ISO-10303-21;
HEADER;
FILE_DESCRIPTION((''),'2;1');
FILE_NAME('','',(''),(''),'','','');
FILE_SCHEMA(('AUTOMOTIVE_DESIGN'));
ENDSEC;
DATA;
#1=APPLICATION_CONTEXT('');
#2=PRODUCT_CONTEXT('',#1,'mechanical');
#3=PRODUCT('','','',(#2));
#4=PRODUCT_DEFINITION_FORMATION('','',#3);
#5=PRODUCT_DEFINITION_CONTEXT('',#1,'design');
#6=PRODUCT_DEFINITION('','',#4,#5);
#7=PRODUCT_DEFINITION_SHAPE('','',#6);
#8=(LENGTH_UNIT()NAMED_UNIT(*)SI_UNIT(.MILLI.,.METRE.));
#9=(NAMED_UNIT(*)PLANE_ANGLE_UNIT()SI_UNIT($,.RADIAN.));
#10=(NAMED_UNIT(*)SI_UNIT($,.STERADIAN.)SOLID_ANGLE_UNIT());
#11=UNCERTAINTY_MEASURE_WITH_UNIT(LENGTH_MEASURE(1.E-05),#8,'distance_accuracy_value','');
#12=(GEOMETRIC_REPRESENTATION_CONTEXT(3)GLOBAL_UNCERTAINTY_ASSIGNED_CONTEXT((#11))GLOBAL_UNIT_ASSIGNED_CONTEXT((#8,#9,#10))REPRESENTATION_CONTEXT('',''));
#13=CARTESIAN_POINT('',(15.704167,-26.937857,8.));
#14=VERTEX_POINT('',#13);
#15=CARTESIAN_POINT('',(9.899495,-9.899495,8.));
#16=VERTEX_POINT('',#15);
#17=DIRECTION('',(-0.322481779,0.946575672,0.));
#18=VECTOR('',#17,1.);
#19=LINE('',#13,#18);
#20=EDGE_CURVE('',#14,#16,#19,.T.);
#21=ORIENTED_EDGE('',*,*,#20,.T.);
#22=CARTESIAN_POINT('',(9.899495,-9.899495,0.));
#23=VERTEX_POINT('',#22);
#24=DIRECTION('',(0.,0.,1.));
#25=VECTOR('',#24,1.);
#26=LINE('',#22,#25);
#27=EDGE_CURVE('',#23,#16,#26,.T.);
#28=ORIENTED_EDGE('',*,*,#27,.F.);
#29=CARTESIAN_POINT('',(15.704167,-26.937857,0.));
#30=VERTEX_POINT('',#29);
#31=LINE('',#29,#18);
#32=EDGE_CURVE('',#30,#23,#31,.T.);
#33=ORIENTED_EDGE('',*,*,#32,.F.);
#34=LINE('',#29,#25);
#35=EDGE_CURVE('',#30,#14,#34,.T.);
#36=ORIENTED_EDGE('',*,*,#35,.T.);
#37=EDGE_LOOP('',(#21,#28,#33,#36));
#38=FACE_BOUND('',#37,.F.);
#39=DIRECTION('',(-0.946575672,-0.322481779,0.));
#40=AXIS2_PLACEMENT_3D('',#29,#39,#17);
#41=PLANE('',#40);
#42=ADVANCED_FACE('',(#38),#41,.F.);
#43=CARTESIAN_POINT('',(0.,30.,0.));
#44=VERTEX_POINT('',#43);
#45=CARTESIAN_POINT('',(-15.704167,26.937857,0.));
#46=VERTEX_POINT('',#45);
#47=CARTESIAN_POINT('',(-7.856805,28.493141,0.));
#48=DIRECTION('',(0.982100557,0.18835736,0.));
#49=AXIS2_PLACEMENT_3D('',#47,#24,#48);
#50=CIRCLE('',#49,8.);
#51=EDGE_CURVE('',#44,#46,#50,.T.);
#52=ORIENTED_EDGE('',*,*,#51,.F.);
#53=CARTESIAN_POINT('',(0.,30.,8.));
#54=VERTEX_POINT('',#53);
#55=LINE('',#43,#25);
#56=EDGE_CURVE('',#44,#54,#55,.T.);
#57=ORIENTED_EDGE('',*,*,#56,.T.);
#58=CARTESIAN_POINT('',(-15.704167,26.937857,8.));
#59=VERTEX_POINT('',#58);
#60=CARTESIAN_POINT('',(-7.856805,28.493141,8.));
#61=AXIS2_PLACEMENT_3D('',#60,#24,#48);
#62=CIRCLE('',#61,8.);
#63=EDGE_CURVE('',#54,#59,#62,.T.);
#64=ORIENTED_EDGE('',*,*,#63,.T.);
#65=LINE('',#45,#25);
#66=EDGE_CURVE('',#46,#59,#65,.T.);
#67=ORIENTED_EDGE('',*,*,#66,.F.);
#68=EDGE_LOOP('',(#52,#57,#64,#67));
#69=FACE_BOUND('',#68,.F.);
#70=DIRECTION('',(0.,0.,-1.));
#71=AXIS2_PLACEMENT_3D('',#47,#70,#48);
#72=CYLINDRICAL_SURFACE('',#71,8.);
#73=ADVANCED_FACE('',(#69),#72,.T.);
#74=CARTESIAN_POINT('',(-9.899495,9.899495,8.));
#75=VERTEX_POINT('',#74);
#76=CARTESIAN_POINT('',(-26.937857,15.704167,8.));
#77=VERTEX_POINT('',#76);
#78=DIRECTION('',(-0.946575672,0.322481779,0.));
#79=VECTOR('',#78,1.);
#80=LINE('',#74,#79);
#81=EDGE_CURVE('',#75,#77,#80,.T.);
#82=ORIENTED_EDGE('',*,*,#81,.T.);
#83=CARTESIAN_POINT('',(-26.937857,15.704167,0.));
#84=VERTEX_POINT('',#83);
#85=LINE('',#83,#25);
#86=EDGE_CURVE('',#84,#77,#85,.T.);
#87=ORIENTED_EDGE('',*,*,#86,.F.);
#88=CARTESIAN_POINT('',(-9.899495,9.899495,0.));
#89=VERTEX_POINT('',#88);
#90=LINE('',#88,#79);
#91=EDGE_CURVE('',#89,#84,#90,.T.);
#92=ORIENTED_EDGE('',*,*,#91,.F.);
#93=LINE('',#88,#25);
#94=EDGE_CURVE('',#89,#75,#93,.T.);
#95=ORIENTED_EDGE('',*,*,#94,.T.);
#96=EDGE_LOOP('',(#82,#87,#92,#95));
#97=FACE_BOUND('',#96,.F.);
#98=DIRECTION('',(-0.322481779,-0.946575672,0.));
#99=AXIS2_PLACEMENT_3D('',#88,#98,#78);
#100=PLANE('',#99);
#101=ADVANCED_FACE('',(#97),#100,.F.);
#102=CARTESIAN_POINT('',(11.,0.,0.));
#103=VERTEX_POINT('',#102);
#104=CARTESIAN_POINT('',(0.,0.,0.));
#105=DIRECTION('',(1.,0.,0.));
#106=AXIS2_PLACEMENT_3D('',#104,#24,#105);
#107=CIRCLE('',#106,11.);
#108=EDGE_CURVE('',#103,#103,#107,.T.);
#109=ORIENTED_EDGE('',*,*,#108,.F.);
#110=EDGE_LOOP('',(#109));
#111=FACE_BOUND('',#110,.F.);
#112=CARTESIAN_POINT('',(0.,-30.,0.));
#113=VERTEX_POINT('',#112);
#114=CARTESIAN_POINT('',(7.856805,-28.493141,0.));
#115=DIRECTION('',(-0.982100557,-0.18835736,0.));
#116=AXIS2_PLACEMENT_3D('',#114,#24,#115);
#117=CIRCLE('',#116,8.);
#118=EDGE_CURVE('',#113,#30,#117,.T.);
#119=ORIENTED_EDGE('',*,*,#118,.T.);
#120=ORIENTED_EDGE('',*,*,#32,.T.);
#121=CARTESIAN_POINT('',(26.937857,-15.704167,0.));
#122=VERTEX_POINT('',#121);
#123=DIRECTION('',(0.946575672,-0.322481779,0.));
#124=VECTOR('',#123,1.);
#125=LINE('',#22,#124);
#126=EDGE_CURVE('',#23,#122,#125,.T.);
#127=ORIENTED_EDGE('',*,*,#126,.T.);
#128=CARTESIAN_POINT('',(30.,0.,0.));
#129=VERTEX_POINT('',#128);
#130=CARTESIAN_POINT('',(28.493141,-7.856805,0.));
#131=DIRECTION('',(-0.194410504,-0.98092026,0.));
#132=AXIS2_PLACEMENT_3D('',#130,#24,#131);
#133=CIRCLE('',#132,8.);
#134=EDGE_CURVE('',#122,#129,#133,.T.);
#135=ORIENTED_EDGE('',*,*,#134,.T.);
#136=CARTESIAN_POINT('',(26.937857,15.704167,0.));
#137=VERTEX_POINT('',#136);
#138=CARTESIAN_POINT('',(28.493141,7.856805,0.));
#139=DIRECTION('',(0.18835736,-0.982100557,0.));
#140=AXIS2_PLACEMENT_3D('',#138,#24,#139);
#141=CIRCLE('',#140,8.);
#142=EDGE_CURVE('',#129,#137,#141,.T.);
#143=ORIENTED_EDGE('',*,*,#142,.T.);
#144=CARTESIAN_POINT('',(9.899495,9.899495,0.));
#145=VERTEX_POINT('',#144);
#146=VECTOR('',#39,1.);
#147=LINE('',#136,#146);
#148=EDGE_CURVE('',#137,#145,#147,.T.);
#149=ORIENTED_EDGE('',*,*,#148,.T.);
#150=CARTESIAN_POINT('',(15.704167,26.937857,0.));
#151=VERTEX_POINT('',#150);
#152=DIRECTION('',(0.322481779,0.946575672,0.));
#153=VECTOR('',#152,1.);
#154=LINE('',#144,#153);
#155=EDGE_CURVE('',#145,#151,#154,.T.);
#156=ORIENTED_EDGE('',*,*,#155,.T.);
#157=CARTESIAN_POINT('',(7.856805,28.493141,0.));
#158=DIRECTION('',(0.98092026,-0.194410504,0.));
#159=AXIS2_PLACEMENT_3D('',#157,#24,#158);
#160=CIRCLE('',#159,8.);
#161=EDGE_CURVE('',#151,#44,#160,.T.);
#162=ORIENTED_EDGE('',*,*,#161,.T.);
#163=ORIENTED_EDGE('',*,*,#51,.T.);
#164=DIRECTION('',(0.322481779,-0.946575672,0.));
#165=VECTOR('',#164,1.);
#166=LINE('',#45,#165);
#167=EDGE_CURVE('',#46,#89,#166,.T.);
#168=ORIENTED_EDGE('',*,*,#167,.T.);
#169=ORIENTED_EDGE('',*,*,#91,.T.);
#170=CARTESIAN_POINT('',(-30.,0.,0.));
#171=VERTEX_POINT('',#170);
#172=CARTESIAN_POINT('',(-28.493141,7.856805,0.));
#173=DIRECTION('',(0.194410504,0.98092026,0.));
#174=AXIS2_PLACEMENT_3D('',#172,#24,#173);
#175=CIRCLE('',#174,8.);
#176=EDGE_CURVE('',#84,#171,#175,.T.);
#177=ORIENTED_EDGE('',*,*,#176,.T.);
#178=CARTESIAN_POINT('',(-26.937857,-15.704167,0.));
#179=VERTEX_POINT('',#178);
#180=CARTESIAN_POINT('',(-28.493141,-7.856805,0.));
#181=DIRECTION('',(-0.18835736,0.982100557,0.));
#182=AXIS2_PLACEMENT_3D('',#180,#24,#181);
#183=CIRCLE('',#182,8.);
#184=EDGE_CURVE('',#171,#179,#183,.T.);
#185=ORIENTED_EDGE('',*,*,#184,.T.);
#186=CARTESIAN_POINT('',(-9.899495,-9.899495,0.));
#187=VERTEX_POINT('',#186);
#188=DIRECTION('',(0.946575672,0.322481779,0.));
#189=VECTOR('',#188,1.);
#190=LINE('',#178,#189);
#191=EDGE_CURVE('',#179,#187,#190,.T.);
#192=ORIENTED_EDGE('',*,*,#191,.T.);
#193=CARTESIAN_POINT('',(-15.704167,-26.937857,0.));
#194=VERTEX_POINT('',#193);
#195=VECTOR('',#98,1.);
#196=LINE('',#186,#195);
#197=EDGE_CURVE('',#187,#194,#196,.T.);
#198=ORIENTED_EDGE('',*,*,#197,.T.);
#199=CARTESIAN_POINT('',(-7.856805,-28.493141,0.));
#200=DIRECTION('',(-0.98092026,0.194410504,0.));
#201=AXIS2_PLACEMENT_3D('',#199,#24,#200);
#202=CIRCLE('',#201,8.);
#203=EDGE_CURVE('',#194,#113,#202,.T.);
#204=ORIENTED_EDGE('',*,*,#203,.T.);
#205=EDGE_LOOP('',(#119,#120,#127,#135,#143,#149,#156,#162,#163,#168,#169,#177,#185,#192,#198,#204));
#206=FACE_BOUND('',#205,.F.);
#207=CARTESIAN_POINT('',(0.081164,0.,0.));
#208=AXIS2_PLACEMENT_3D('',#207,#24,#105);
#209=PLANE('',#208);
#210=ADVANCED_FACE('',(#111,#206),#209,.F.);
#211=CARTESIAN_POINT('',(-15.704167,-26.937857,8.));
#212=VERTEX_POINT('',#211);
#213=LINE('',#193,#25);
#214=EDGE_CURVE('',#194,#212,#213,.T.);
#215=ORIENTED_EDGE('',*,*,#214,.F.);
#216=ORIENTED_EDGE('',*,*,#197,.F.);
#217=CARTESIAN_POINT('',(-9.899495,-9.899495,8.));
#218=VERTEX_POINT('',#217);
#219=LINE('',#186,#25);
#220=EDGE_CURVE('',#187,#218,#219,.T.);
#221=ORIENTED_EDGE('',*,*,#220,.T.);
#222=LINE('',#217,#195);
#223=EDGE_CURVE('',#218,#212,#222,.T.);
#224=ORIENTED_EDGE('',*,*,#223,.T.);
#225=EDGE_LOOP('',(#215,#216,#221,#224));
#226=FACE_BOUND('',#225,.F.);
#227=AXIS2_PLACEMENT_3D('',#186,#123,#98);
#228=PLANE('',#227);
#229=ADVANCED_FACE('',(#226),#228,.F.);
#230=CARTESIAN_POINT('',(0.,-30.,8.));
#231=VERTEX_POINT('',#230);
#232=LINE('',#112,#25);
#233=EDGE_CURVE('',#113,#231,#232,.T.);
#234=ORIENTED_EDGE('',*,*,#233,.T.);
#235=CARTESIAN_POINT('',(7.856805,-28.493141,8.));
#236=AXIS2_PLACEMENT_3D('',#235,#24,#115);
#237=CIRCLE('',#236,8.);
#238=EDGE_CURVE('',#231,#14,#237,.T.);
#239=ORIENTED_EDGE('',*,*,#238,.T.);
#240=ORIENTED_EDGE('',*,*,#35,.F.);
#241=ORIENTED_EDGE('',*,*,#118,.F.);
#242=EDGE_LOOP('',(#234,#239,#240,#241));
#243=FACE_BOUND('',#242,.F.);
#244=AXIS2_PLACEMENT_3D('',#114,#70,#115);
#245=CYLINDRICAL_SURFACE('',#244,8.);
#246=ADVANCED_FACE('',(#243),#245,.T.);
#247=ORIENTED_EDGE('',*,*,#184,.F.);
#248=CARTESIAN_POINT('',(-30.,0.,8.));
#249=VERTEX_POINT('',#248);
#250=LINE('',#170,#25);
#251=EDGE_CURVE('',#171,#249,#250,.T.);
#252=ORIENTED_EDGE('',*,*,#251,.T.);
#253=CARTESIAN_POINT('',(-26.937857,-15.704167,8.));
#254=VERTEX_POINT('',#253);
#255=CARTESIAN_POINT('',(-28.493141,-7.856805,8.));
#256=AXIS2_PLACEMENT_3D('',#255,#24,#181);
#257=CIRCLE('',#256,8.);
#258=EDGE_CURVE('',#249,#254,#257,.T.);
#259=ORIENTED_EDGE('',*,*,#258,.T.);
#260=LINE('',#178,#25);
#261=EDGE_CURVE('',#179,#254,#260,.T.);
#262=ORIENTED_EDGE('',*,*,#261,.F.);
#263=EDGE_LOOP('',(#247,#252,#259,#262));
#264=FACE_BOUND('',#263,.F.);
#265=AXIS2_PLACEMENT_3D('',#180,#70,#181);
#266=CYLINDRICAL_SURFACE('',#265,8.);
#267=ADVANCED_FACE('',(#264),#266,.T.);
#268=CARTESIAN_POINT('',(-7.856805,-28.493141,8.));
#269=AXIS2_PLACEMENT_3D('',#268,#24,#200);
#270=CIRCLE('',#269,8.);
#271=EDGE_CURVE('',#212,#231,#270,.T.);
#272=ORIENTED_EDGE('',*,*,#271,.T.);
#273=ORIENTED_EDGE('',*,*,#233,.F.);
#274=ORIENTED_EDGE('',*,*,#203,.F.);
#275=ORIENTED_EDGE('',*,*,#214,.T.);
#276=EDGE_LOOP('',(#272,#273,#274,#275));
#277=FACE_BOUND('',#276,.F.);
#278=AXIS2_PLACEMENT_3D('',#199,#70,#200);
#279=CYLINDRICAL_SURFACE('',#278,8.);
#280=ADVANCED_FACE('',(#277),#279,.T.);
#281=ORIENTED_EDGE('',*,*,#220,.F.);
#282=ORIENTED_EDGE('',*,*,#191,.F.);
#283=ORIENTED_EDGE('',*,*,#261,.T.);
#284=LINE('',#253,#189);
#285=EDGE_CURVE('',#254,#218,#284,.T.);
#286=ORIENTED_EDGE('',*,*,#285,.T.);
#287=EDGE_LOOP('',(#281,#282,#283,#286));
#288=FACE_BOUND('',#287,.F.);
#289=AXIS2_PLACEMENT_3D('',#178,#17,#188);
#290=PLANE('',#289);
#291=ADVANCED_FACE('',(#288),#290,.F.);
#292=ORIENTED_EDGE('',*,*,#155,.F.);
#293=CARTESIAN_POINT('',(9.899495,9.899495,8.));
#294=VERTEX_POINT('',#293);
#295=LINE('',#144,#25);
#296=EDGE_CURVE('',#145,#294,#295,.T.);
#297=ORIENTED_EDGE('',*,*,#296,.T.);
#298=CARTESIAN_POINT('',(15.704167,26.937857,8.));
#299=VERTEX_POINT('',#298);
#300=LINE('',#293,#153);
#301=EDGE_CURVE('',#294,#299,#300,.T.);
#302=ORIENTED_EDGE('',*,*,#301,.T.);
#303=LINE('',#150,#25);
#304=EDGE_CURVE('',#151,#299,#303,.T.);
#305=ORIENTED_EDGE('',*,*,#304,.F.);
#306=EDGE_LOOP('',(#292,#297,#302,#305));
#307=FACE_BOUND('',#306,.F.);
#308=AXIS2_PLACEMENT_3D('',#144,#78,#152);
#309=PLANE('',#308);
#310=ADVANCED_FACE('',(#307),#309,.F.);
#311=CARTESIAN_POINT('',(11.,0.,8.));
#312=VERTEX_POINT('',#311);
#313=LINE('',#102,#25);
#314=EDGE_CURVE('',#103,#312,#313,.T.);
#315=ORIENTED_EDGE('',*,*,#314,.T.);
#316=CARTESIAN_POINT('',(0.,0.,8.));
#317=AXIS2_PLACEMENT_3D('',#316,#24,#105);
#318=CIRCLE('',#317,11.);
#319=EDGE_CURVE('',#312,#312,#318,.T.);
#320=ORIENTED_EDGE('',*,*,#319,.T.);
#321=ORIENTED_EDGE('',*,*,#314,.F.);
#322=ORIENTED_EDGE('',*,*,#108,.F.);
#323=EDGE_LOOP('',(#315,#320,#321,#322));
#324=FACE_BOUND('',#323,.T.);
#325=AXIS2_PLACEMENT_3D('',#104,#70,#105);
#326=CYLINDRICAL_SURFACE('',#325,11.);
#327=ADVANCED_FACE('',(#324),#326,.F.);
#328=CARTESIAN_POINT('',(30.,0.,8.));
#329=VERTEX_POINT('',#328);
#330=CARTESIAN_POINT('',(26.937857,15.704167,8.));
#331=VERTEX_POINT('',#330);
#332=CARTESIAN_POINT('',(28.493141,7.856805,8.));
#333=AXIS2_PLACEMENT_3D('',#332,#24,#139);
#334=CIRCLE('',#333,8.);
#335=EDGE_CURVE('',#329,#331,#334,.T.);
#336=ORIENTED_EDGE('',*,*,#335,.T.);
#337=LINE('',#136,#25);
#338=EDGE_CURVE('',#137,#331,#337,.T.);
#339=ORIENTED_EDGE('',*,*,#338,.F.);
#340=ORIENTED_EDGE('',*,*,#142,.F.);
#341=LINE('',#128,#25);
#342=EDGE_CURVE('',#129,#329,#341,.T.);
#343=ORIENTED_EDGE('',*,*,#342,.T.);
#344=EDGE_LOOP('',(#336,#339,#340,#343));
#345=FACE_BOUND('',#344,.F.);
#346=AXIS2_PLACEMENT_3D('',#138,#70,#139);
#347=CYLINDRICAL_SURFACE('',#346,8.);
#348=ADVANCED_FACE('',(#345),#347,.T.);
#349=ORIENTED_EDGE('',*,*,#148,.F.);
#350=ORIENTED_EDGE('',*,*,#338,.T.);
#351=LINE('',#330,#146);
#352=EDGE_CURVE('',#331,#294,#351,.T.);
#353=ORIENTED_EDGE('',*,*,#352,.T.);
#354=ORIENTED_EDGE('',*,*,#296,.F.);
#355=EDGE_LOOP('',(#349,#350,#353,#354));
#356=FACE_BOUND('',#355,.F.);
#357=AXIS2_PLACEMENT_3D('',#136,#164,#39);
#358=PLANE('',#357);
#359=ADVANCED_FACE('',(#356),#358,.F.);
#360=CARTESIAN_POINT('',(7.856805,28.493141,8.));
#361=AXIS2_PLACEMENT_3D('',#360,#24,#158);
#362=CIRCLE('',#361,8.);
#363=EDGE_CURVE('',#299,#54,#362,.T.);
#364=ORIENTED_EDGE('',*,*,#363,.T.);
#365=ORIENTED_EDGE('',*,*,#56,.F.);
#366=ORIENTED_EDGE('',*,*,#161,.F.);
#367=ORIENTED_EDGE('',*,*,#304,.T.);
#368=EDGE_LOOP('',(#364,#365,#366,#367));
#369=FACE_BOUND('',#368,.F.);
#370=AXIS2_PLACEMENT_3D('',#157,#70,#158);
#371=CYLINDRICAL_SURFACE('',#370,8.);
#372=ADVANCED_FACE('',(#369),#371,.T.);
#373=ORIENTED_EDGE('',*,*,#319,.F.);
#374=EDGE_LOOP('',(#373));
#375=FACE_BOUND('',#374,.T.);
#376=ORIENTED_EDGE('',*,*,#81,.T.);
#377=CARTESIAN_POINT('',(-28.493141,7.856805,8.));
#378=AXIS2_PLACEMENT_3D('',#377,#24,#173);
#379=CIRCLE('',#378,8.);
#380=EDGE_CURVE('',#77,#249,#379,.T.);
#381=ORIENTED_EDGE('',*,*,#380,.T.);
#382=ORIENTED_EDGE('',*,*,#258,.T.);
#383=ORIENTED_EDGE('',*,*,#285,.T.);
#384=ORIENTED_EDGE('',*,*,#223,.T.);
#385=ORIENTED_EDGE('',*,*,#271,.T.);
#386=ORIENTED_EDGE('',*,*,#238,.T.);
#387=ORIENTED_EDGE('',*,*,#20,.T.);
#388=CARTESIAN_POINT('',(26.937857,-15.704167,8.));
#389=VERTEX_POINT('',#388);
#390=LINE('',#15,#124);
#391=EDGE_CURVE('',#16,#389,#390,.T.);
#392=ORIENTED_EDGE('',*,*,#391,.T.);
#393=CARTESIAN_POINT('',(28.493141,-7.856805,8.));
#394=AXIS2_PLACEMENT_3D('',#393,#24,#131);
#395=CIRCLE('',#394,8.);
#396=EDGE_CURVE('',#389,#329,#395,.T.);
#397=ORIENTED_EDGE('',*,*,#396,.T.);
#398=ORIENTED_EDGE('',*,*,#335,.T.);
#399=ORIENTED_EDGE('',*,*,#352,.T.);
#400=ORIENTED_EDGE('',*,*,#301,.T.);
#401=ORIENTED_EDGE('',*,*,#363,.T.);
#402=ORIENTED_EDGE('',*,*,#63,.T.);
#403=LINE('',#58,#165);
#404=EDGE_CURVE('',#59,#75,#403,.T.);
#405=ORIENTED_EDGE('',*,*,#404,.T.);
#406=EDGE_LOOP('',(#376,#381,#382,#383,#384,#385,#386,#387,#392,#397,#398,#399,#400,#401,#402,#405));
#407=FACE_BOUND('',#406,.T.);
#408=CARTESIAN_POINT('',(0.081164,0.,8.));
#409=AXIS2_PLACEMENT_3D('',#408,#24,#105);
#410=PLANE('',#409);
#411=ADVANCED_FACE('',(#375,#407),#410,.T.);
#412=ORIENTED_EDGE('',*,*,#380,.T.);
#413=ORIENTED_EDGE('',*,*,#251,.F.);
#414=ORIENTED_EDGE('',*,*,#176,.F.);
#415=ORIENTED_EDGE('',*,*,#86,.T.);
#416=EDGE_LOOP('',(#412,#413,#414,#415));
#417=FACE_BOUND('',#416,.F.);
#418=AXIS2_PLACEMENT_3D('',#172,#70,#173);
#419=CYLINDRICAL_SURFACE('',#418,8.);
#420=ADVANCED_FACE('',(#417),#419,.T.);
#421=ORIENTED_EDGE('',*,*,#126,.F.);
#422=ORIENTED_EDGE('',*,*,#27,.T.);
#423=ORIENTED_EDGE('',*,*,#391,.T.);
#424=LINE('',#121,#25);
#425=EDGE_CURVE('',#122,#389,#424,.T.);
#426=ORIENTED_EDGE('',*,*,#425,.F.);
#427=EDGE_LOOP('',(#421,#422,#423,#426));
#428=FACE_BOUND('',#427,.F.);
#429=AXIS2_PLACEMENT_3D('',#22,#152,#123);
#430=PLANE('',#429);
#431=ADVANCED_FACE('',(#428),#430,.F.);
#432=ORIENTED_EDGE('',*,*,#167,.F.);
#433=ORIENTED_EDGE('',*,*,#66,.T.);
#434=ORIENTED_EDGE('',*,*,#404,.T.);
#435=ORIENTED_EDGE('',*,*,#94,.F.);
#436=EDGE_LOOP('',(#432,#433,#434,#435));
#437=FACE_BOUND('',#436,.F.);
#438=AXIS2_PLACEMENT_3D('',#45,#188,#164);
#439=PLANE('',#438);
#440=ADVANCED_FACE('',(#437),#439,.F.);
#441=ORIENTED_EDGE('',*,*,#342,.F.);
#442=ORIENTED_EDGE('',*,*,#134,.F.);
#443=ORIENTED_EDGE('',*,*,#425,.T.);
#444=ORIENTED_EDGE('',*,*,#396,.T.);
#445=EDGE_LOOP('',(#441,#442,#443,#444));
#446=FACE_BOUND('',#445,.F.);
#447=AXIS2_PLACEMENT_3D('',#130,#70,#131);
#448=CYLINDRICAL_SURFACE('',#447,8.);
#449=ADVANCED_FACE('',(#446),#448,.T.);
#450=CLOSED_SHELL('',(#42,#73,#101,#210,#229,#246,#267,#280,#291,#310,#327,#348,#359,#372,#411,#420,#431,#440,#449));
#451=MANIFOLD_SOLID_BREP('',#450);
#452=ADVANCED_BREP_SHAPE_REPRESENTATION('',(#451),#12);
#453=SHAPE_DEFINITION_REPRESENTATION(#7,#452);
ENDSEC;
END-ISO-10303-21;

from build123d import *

# Parameters (mm, degrees)
F0_R     = 11
F1_DEPTH = 8


with BuildPart() as f1:
    # F0 (on Top) → F1 (new body)
    with BuildSketch(Plane.XY):
        with BuildLine():
            ThreePointArc((9.899495, -9.899495), (12.934313, -5.357568), (14, 0))
            ThreePointArc((14, 0), (12.934313, 5.357568), (9.899495, 9.899495))
            ThreePointArc((9.899495, 9.899495), (0, 14), (-9.899495, 9.899495))
            ThreePointArc((-9.899495, 9.899495), (-14, 0), (-9.899495, -9.899495))
            ThreePointArc((-9.899495, -9.899495), (0, -14), (9.899495, -9.899495))
        make_face()
        Circle(F0_R, mode=Mode.SUBTRACT)
        with BuildLine():
            ThreePointArc((-9.899495, -9.899495), (-14, 0), (-9.899495, 9.899495))
            Line((-9.899495, 9.899495), (-26.937857, 15.704167))
            ThreePointArc((-26.937857, 15.704167), (-36.345262, 9.387883), (-30, 0))
            ThreePointArc((-30, 0), (-36.345262, -9.387883), (-26.937857, -15.704167))
            Line((-26.937857, -15.704167), (-9.899495, -9.899495))
        make_face()
        with BuildLine():
            ThreePointArc((-9.899495, 9.899495), (0, 14), (9.899495, 9.899495))
            Line((9.899495, 9.899495), (15.704167, 26.937857))
            ThreePointArc((15.704167, 26.937857), (9.387883, 36.345262), (0, 30))
            ThreePointArc((0, 30), (-9.387883, 36.345262), (-15.704167, 26.937857))
            Line((-15.704167, 26.937857), (-9.899495, 9.899495))
        make_face()
        with BuildLine():
            ThreePointArc((9.899495, 9.899495), (12.934313, 5.357568), (14, 0))
            ThreePointArc((14, 0), (12.934313, -5.357568), (9.899495, -9.899495))
            Line((9.899495, -9.899495), (26.937857, -15.704167))
            ThreePointArc((26.937857, -15.704167), (36.345262, -9.387883), (30, 0))
            ThreePointArc((30, 0), (36.345262, 9.387883), (26.937857, 15.704167))
            Line((26.937857, 15.704167), (9.899495, 9.899495))
        make_face()
        with BuildLine():
            Line((15.704167, -26.937857), (9.899495, -9.899495))
            ThreePointArc((9.899495, -9.899495), (0, -14), (-9.899495, -9.899495))
            Line((-9.899495, -9.899495), (-15.704167, -26.937857))
            ThreePointArc((-15.704167, -26.937857), (-9.387883, -36.345262), (0, -30))
            ThreePointArc((0, -30), (9.387883, -36.345262), (15.704167, -26.937857))
        make_face()
    extrude(amount=F1_DEPTH)


solid = f1.part
